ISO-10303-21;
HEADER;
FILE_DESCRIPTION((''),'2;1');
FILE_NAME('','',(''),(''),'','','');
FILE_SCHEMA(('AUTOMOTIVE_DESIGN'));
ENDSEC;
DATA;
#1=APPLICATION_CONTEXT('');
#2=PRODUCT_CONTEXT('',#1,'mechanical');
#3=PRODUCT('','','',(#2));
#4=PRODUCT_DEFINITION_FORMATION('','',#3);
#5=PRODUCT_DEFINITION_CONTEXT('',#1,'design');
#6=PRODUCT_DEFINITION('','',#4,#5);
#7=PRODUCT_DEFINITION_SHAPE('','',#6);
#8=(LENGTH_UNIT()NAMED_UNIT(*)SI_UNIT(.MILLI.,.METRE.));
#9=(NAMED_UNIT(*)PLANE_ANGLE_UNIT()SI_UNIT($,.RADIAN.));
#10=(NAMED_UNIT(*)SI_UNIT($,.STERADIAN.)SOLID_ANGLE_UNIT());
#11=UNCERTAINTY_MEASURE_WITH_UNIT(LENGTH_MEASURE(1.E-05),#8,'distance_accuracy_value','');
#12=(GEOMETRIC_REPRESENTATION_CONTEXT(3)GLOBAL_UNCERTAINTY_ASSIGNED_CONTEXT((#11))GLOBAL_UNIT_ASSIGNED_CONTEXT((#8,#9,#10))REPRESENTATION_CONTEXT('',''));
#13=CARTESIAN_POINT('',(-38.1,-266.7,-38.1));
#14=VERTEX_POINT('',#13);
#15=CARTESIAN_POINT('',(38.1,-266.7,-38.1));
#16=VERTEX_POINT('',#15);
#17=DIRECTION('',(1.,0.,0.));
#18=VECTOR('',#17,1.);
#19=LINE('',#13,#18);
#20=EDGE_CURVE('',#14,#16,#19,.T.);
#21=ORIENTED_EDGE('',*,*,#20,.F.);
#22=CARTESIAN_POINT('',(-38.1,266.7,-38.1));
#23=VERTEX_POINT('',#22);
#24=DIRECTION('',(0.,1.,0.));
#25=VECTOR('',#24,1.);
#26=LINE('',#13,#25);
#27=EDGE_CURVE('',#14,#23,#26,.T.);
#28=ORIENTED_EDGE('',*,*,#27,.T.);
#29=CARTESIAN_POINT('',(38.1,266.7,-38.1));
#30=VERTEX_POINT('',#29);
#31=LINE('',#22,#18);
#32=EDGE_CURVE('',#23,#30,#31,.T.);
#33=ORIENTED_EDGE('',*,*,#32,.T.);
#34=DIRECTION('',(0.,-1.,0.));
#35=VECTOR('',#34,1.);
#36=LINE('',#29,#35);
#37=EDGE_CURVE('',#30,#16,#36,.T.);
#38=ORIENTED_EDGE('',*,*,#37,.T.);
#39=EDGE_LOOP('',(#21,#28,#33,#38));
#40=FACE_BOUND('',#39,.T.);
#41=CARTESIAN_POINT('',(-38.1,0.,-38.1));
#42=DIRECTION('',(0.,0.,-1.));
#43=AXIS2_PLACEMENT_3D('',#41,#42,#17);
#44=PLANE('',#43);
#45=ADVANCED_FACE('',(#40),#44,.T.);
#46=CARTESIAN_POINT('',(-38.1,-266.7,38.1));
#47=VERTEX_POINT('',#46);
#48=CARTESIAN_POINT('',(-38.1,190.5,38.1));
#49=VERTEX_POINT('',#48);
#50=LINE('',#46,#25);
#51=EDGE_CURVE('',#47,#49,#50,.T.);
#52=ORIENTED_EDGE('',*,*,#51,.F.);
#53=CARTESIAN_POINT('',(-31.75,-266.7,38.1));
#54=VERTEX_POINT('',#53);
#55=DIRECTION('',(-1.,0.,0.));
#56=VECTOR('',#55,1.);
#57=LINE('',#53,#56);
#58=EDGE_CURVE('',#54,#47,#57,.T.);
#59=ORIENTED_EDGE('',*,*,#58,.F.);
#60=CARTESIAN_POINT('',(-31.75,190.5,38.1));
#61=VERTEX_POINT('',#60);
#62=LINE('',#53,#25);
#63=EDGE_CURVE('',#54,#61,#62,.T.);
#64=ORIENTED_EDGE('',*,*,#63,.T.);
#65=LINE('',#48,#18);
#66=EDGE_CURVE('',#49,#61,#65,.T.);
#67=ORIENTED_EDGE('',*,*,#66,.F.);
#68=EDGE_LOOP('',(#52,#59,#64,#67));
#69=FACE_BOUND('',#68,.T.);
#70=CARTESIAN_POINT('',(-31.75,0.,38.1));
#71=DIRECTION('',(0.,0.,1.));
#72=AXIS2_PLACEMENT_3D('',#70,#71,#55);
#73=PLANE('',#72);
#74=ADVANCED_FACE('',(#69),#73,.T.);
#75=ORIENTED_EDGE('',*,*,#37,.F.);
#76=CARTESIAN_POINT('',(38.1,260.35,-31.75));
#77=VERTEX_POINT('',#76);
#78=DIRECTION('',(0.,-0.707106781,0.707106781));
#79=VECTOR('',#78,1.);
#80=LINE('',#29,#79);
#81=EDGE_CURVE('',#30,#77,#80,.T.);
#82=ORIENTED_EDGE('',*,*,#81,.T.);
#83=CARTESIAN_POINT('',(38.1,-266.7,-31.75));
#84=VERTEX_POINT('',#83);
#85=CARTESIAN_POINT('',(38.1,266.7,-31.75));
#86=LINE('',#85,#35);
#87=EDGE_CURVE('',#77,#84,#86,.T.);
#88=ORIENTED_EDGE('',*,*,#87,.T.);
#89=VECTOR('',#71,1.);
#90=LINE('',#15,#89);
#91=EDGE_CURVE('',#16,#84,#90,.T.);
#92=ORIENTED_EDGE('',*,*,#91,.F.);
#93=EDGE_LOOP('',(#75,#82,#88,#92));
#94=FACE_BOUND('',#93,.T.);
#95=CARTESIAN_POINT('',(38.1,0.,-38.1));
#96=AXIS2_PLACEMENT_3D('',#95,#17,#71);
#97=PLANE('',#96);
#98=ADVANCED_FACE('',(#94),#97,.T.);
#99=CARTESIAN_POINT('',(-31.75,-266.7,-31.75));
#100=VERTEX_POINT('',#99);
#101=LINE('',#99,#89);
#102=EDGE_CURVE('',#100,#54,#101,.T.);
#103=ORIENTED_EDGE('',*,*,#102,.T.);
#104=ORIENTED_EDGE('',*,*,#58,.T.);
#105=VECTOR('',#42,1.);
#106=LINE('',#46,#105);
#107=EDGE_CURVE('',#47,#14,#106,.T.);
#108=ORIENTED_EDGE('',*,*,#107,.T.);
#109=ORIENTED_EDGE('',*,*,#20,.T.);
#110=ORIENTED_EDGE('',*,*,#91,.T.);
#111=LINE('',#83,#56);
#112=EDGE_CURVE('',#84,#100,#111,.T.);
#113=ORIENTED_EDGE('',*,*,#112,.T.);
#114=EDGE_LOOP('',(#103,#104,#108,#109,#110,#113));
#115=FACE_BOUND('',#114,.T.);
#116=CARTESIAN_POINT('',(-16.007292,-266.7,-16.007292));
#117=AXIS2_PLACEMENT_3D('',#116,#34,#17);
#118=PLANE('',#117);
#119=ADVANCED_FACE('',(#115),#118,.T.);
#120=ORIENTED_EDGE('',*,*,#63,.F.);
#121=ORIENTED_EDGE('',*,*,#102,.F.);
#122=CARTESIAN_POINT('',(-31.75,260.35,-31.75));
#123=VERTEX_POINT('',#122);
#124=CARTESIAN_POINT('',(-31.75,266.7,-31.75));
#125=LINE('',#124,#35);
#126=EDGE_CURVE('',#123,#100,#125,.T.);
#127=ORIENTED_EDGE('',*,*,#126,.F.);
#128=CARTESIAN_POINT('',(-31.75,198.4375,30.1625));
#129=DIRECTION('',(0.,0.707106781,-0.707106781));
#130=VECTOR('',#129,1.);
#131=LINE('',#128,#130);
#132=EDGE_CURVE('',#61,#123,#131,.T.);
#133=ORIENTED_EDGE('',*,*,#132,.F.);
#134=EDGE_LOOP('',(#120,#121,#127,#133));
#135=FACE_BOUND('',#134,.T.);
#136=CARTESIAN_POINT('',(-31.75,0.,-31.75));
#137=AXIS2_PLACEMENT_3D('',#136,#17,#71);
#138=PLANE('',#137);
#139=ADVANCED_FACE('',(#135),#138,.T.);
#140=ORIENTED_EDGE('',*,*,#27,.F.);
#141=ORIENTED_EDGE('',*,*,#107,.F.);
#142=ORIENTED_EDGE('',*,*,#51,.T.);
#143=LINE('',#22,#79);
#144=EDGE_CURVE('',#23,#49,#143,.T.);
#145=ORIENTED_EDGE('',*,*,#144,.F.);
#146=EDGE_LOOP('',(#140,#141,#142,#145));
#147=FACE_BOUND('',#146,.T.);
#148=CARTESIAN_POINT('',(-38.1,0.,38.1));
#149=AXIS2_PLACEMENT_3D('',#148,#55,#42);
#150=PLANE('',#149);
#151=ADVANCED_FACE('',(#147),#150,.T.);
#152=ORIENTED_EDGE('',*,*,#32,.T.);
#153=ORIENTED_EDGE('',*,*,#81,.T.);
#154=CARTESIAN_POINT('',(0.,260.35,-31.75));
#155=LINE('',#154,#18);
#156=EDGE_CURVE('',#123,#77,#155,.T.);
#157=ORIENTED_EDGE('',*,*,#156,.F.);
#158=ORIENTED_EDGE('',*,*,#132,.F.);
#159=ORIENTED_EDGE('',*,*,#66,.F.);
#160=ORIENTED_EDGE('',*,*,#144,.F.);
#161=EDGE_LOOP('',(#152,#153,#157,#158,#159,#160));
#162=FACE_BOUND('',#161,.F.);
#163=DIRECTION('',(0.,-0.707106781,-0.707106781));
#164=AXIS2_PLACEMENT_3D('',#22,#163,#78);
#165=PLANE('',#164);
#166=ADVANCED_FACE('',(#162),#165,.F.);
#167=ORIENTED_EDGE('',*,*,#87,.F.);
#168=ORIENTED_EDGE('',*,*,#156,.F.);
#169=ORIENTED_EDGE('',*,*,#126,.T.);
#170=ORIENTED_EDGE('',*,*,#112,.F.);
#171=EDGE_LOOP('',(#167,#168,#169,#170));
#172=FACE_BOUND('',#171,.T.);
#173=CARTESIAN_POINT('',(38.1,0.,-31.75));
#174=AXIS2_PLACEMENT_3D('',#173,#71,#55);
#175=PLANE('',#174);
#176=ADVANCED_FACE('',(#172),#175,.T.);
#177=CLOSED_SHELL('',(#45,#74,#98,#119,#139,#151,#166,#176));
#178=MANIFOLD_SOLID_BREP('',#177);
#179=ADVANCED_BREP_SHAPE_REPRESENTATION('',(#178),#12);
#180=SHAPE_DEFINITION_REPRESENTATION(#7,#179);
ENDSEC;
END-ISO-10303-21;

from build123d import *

# Parameters (mm, degrees)
F1_DEPTH = 266.7
F3_DEPTH = 76.2


with BuildPart() as f1:
    # F0 (on Front) → F1 (new body, symmetric)
    with BuildSketch(Plane.XZ):
        Polygon((-38.1, -38.1), (38.1, -38.1), (38.1, -31.75), (-31.75, -31.75), (-31.75, 38.1), (-38.1, 38.1), align=None)
    extrude(amount=F1_DEPTH, both=True)

    # F2 (on face) → F3 (cut)
    with BuildSketch(Plane(origin=(-38.1, 0, 0), x_dir=(0, -1, 0), z_dir=(-1, 0, 0))):
        Polygon((-266.7, 38.1), (-266.7, -38.1), (-190.5, 38.1), align=None)
    extrude(amount=-F3_DEPTH, mode=Mode.SUBTRACT)


solid = f1.part
